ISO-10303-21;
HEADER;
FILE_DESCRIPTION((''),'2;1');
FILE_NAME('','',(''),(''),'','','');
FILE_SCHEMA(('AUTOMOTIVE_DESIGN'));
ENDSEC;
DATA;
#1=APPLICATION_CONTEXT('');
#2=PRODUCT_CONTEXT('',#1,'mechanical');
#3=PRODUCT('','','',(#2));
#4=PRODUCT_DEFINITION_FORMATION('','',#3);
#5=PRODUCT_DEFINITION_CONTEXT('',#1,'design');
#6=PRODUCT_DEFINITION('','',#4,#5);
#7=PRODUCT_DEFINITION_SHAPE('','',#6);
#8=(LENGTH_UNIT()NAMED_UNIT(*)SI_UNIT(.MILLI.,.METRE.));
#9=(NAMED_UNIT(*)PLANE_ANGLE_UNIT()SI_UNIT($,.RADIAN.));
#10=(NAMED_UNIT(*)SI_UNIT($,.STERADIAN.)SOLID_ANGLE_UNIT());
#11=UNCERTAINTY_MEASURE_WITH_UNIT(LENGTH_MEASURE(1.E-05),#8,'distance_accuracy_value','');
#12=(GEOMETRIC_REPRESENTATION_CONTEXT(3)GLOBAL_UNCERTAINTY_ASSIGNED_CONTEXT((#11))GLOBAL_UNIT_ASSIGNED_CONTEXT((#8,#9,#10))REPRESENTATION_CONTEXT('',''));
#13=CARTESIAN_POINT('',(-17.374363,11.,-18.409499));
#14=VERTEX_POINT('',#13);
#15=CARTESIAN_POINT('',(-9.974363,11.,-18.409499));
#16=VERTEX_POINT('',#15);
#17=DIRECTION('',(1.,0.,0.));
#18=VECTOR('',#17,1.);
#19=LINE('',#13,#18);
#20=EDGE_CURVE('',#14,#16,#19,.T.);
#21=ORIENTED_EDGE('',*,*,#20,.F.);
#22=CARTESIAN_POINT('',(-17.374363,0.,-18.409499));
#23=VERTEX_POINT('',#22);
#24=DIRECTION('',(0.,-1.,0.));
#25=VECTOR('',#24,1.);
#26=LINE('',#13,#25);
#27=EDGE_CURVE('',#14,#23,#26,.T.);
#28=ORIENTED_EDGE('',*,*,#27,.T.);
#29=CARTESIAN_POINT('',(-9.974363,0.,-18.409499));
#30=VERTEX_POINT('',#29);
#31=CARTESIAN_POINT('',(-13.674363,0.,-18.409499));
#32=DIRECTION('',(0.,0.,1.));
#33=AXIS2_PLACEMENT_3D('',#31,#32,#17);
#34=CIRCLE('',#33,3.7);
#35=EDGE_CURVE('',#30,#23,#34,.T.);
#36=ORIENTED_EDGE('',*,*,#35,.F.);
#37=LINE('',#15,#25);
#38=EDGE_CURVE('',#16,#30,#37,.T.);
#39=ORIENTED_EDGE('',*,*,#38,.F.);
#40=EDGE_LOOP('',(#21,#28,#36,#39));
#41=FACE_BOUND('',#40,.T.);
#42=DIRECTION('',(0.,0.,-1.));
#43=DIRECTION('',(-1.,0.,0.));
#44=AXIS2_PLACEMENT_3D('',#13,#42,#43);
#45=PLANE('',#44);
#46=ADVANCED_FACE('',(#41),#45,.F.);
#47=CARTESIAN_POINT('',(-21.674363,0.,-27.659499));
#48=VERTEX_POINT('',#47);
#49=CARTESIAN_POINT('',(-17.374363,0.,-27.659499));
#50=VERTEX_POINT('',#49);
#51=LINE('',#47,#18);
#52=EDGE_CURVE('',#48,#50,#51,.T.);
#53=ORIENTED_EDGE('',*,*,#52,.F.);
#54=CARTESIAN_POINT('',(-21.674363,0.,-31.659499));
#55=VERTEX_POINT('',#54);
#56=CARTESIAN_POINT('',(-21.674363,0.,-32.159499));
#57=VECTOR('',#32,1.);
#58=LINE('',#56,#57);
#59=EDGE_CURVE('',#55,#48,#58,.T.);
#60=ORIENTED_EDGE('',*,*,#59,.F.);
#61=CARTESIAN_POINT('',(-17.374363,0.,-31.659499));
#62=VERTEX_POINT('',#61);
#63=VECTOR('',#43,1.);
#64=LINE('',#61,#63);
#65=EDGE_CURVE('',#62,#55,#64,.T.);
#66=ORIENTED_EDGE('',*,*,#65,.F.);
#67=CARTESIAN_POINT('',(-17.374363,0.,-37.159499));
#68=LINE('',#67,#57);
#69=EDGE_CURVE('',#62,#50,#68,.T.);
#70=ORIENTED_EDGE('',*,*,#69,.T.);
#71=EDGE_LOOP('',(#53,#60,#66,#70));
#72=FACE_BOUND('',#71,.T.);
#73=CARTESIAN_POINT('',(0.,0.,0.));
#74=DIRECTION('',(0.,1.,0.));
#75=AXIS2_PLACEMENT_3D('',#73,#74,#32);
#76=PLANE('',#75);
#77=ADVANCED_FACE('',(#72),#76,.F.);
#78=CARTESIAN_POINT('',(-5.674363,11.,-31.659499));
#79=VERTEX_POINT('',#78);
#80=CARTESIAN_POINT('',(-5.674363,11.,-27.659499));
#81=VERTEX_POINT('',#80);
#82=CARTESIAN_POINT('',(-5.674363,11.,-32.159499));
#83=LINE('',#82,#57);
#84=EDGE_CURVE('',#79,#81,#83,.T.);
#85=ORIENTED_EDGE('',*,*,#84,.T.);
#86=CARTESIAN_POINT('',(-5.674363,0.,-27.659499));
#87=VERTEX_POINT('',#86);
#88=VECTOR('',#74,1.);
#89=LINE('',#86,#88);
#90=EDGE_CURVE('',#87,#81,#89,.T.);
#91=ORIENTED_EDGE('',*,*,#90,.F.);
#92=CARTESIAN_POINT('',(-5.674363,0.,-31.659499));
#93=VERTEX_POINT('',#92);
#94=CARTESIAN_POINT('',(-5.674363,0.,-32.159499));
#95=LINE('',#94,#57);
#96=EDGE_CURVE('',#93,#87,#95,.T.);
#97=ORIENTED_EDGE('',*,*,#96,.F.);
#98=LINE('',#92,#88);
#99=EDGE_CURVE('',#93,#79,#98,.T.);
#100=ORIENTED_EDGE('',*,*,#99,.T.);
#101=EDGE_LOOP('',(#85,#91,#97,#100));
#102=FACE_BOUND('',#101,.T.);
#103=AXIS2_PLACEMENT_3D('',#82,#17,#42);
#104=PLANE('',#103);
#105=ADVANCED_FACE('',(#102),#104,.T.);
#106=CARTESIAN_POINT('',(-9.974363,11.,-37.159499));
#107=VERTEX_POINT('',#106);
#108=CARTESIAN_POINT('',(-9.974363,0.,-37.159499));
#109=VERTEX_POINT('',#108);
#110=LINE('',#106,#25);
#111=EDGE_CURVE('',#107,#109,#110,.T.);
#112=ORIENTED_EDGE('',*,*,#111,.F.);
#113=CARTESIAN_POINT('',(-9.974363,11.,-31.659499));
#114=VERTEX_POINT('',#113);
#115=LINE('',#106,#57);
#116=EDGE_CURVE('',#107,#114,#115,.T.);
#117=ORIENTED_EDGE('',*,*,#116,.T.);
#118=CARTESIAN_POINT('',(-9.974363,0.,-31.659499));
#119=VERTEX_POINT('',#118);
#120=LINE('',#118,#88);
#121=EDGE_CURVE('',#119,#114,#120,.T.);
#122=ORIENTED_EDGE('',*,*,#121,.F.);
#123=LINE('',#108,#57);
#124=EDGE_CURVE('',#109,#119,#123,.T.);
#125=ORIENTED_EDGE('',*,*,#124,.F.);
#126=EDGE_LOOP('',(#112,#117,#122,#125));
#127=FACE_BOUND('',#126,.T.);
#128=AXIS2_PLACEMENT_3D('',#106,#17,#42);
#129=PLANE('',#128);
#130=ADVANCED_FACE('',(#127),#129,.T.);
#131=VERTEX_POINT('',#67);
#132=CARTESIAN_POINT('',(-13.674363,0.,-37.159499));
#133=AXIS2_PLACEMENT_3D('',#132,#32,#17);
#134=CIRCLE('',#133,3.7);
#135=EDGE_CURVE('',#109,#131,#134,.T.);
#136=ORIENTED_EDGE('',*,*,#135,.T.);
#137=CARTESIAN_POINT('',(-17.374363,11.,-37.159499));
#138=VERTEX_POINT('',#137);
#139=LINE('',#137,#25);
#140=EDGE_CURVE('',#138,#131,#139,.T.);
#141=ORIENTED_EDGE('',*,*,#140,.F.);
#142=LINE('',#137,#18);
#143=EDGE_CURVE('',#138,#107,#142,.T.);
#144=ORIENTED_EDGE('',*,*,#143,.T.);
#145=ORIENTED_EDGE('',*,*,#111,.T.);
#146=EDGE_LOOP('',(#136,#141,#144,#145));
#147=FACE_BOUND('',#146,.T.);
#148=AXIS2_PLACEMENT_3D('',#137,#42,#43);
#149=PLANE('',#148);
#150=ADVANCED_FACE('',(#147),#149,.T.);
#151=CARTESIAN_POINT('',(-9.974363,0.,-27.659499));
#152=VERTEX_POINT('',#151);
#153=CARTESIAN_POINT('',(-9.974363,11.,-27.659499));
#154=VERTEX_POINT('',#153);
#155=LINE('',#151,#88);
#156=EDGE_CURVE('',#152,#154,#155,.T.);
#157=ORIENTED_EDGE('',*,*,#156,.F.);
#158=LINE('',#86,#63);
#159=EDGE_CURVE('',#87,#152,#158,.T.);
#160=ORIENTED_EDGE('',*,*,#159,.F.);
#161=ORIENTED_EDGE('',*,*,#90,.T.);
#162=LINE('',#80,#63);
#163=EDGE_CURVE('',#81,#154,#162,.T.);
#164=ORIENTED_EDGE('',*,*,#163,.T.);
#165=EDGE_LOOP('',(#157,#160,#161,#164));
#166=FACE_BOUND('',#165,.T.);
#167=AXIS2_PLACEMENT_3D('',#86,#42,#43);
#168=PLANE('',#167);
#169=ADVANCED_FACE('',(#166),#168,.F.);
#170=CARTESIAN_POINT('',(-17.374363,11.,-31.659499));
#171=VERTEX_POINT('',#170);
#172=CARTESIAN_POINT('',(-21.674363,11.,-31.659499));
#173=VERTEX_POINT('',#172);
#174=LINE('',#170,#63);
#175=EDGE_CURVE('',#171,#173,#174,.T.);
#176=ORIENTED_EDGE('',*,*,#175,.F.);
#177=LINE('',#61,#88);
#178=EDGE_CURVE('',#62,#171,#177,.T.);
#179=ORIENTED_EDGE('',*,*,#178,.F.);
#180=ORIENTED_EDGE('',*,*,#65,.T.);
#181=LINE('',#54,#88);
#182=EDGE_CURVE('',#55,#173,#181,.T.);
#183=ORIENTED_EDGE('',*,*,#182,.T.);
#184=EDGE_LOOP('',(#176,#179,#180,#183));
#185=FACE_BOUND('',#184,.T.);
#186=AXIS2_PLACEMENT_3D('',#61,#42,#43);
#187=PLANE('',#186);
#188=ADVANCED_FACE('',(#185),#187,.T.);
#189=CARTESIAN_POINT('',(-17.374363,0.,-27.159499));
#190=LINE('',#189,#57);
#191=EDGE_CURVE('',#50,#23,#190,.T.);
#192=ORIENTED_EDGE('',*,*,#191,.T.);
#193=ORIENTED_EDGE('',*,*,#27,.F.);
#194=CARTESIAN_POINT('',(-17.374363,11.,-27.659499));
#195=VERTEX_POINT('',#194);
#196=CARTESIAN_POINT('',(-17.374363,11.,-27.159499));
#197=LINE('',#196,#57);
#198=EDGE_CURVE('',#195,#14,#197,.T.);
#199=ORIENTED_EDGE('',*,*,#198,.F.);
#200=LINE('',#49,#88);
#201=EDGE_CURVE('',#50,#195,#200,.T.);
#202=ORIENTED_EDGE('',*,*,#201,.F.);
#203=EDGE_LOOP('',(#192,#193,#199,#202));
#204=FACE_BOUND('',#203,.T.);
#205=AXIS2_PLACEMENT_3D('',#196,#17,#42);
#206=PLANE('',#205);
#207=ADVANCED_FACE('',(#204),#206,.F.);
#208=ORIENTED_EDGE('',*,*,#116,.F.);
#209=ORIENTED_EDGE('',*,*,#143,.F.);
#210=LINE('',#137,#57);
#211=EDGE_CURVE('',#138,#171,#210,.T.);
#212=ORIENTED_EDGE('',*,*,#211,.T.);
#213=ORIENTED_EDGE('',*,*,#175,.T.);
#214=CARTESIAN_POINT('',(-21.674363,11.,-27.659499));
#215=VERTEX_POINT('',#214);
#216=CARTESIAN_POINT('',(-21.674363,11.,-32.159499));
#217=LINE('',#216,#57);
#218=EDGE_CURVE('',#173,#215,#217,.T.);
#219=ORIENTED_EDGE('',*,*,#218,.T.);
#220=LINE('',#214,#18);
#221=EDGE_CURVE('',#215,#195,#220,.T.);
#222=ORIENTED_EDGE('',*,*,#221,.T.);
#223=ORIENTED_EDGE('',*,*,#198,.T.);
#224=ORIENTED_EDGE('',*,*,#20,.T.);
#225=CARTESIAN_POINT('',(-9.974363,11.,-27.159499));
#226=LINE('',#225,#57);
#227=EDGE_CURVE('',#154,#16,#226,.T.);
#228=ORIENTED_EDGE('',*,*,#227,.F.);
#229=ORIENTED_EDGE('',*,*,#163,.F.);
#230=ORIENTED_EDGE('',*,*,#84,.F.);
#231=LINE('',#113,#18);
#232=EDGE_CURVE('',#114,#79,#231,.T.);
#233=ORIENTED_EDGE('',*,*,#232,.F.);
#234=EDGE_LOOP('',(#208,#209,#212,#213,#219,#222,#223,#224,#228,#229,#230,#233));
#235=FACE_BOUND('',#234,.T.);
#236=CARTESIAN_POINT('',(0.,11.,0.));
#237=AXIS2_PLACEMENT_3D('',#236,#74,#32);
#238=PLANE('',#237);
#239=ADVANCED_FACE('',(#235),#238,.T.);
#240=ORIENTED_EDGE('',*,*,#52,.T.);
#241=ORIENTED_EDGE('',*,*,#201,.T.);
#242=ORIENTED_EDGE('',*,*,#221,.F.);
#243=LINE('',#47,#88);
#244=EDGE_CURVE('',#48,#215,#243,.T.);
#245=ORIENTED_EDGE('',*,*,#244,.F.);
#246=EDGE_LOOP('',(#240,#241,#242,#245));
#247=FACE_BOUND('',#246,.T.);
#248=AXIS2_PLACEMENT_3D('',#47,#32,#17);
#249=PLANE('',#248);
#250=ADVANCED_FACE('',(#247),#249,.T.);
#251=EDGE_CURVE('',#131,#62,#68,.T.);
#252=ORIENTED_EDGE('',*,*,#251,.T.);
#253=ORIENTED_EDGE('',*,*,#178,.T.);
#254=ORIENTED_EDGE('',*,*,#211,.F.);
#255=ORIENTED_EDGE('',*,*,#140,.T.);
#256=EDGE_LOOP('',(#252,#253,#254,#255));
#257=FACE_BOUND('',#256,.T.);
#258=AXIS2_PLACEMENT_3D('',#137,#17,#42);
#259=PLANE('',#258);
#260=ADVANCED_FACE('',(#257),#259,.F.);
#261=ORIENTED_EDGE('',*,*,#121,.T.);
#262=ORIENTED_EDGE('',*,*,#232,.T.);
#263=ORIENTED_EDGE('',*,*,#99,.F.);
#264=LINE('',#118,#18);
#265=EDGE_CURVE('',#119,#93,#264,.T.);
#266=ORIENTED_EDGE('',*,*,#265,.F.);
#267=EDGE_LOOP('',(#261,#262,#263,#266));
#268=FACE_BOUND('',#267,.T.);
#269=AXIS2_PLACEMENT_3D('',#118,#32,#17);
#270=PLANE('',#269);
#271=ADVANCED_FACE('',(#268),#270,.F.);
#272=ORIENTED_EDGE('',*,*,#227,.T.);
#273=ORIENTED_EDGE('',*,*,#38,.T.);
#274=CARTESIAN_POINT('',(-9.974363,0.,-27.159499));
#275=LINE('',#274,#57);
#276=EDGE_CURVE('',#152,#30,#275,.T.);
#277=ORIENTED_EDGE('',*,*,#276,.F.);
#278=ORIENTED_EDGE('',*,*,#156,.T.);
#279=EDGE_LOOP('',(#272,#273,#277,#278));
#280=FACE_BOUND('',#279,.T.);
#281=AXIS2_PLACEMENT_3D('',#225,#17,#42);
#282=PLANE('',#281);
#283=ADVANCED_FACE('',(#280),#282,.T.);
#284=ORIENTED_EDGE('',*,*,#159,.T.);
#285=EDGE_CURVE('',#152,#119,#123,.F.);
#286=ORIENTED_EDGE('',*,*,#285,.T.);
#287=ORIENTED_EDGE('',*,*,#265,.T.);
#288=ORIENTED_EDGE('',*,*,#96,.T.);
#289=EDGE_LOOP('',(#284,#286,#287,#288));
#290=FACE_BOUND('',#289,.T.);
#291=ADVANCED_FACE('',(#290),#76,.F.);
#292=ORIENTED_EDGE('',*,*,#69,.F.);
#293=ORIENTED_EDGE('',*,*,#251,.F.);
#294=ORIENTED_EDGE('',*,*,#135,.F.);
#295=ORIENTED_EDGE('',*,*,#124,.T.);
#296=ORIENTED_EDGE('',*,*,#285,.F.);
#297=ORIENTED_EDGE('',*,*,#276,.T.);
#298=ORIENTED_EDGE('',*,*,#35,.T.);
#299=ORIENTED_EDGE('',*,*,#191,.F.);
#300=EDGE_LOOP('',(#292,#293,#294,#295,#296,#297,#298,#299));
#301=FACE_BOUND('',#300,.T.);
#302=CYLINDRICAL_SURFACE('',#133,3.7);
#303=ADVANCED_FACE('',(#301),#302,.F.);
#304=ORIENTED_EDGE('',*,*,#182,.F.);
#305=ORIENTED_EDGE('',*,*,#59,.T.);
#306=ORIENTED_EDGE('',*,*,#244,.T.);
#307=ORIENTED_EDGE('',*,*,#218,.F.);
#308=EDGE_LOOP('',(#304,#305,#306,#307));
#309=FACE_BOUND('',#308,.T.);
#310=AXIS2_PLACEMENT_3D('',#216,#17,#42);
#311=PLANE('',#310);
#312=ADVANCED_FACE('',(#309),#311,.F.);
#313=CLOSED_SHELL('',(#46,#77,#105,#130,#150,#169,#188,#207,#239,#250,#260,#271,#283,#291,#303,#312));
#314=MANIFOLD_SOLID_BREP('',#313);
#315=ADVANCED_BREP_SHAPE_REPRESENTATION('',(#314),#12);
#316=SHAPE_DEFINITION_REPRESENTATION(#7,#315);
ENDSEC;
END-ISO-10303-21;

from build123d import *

# Parameters (mm, degrees)
BOSS_EXTRU_1_DEPTH      = 11
ENL_V_MAT_EXTRU_1_DEPTH = 31.697565104
ESQUISSE3_W             = 4.3
ESQUISSE3_H             = 0.5
ENL_V_MAT_EXTRU_2_DEPTH = 45.402774751


with BuildPart() as part:
    # Esquisse1 → Boss.-Extru.1 (new body)
    with BuildSketch(Plane(origin=(0, 0, 0), x_dir=(1, 0, 0), z_dir=(0, 1, 0))):
        Polygon((-17.374362812, 37.159499489), (-9.974362812, 37.159499489), (-9.974362812, 32.159499489), (-5.674362812, 32.159499489), (-5.674362812, 27.159499489), (-9.974362812, 27.159499489), (-9.974362812, 18.409499489), (-17.374362812, 18.409499489), (-17.374362812, 27.159499489), (-21.674362812, 27.159499489), (-21.674362812, 32.159499489), (-17.374362812, 32.159499489), align=None)
    extrude(amount=BOSS_EXTRU_1_DEPTH)

    # Esquisse2 → Enlèv. mat.-Extru.1 (cut, through all)
    with BuildSketch(Plane.XY.offset(-18.409499489)):
        with BuildLine():
            ThreePointArc((-9.974362812, 0), (-13.674362812, 3.7), (-17.374362812, 0))
            Line((-17.374362812, 0), (-9.974362812, 0))
        make_face()
        with BuildLine():
            Line((-9.974362812, 0), (-17.374362812, 0))
            ThreePointArc((-17.374362812, 0), (-13.674362812, -3.7), (-9.974362812, 0))
        make_face()
    extrude(amount=-ENL_V_MAT_EXTRU_1_DEPTH, mode=Mode.SUBTRACT)

    # Esquisse3 → Enlèv. mat.-Extru.2 (cut, through all)
    with BuildSketch(Plane(origin=(0, 11, 0), x_dir=(1, 0, 0), z_dir=(0, 1, 0))):
        with Locations((-7.824362812, 31.909499489)):
            Rectangle(ESQUISSE3_W, ESQUISSE3_H)
        with Locations((-19.524362812, 31.909499489)):
            Rectangle(ESQUISSE3_W, ESQUISSE3_H)
        with Locations((-19.524362812, 27.409499489)):
            Rectangle(ESQUISSE3_W, ESQUISSE3_H)
        with Locations((-7.824362812, 27.409499489)):
            Rectangle(ESQUISSE3_W, ESQUISSE3_H)
    extrude(amount=-ENL_V_MAT_EXTRU_2_DEPTH, mode=Mode.SUBTRACT)


solid = part.part
